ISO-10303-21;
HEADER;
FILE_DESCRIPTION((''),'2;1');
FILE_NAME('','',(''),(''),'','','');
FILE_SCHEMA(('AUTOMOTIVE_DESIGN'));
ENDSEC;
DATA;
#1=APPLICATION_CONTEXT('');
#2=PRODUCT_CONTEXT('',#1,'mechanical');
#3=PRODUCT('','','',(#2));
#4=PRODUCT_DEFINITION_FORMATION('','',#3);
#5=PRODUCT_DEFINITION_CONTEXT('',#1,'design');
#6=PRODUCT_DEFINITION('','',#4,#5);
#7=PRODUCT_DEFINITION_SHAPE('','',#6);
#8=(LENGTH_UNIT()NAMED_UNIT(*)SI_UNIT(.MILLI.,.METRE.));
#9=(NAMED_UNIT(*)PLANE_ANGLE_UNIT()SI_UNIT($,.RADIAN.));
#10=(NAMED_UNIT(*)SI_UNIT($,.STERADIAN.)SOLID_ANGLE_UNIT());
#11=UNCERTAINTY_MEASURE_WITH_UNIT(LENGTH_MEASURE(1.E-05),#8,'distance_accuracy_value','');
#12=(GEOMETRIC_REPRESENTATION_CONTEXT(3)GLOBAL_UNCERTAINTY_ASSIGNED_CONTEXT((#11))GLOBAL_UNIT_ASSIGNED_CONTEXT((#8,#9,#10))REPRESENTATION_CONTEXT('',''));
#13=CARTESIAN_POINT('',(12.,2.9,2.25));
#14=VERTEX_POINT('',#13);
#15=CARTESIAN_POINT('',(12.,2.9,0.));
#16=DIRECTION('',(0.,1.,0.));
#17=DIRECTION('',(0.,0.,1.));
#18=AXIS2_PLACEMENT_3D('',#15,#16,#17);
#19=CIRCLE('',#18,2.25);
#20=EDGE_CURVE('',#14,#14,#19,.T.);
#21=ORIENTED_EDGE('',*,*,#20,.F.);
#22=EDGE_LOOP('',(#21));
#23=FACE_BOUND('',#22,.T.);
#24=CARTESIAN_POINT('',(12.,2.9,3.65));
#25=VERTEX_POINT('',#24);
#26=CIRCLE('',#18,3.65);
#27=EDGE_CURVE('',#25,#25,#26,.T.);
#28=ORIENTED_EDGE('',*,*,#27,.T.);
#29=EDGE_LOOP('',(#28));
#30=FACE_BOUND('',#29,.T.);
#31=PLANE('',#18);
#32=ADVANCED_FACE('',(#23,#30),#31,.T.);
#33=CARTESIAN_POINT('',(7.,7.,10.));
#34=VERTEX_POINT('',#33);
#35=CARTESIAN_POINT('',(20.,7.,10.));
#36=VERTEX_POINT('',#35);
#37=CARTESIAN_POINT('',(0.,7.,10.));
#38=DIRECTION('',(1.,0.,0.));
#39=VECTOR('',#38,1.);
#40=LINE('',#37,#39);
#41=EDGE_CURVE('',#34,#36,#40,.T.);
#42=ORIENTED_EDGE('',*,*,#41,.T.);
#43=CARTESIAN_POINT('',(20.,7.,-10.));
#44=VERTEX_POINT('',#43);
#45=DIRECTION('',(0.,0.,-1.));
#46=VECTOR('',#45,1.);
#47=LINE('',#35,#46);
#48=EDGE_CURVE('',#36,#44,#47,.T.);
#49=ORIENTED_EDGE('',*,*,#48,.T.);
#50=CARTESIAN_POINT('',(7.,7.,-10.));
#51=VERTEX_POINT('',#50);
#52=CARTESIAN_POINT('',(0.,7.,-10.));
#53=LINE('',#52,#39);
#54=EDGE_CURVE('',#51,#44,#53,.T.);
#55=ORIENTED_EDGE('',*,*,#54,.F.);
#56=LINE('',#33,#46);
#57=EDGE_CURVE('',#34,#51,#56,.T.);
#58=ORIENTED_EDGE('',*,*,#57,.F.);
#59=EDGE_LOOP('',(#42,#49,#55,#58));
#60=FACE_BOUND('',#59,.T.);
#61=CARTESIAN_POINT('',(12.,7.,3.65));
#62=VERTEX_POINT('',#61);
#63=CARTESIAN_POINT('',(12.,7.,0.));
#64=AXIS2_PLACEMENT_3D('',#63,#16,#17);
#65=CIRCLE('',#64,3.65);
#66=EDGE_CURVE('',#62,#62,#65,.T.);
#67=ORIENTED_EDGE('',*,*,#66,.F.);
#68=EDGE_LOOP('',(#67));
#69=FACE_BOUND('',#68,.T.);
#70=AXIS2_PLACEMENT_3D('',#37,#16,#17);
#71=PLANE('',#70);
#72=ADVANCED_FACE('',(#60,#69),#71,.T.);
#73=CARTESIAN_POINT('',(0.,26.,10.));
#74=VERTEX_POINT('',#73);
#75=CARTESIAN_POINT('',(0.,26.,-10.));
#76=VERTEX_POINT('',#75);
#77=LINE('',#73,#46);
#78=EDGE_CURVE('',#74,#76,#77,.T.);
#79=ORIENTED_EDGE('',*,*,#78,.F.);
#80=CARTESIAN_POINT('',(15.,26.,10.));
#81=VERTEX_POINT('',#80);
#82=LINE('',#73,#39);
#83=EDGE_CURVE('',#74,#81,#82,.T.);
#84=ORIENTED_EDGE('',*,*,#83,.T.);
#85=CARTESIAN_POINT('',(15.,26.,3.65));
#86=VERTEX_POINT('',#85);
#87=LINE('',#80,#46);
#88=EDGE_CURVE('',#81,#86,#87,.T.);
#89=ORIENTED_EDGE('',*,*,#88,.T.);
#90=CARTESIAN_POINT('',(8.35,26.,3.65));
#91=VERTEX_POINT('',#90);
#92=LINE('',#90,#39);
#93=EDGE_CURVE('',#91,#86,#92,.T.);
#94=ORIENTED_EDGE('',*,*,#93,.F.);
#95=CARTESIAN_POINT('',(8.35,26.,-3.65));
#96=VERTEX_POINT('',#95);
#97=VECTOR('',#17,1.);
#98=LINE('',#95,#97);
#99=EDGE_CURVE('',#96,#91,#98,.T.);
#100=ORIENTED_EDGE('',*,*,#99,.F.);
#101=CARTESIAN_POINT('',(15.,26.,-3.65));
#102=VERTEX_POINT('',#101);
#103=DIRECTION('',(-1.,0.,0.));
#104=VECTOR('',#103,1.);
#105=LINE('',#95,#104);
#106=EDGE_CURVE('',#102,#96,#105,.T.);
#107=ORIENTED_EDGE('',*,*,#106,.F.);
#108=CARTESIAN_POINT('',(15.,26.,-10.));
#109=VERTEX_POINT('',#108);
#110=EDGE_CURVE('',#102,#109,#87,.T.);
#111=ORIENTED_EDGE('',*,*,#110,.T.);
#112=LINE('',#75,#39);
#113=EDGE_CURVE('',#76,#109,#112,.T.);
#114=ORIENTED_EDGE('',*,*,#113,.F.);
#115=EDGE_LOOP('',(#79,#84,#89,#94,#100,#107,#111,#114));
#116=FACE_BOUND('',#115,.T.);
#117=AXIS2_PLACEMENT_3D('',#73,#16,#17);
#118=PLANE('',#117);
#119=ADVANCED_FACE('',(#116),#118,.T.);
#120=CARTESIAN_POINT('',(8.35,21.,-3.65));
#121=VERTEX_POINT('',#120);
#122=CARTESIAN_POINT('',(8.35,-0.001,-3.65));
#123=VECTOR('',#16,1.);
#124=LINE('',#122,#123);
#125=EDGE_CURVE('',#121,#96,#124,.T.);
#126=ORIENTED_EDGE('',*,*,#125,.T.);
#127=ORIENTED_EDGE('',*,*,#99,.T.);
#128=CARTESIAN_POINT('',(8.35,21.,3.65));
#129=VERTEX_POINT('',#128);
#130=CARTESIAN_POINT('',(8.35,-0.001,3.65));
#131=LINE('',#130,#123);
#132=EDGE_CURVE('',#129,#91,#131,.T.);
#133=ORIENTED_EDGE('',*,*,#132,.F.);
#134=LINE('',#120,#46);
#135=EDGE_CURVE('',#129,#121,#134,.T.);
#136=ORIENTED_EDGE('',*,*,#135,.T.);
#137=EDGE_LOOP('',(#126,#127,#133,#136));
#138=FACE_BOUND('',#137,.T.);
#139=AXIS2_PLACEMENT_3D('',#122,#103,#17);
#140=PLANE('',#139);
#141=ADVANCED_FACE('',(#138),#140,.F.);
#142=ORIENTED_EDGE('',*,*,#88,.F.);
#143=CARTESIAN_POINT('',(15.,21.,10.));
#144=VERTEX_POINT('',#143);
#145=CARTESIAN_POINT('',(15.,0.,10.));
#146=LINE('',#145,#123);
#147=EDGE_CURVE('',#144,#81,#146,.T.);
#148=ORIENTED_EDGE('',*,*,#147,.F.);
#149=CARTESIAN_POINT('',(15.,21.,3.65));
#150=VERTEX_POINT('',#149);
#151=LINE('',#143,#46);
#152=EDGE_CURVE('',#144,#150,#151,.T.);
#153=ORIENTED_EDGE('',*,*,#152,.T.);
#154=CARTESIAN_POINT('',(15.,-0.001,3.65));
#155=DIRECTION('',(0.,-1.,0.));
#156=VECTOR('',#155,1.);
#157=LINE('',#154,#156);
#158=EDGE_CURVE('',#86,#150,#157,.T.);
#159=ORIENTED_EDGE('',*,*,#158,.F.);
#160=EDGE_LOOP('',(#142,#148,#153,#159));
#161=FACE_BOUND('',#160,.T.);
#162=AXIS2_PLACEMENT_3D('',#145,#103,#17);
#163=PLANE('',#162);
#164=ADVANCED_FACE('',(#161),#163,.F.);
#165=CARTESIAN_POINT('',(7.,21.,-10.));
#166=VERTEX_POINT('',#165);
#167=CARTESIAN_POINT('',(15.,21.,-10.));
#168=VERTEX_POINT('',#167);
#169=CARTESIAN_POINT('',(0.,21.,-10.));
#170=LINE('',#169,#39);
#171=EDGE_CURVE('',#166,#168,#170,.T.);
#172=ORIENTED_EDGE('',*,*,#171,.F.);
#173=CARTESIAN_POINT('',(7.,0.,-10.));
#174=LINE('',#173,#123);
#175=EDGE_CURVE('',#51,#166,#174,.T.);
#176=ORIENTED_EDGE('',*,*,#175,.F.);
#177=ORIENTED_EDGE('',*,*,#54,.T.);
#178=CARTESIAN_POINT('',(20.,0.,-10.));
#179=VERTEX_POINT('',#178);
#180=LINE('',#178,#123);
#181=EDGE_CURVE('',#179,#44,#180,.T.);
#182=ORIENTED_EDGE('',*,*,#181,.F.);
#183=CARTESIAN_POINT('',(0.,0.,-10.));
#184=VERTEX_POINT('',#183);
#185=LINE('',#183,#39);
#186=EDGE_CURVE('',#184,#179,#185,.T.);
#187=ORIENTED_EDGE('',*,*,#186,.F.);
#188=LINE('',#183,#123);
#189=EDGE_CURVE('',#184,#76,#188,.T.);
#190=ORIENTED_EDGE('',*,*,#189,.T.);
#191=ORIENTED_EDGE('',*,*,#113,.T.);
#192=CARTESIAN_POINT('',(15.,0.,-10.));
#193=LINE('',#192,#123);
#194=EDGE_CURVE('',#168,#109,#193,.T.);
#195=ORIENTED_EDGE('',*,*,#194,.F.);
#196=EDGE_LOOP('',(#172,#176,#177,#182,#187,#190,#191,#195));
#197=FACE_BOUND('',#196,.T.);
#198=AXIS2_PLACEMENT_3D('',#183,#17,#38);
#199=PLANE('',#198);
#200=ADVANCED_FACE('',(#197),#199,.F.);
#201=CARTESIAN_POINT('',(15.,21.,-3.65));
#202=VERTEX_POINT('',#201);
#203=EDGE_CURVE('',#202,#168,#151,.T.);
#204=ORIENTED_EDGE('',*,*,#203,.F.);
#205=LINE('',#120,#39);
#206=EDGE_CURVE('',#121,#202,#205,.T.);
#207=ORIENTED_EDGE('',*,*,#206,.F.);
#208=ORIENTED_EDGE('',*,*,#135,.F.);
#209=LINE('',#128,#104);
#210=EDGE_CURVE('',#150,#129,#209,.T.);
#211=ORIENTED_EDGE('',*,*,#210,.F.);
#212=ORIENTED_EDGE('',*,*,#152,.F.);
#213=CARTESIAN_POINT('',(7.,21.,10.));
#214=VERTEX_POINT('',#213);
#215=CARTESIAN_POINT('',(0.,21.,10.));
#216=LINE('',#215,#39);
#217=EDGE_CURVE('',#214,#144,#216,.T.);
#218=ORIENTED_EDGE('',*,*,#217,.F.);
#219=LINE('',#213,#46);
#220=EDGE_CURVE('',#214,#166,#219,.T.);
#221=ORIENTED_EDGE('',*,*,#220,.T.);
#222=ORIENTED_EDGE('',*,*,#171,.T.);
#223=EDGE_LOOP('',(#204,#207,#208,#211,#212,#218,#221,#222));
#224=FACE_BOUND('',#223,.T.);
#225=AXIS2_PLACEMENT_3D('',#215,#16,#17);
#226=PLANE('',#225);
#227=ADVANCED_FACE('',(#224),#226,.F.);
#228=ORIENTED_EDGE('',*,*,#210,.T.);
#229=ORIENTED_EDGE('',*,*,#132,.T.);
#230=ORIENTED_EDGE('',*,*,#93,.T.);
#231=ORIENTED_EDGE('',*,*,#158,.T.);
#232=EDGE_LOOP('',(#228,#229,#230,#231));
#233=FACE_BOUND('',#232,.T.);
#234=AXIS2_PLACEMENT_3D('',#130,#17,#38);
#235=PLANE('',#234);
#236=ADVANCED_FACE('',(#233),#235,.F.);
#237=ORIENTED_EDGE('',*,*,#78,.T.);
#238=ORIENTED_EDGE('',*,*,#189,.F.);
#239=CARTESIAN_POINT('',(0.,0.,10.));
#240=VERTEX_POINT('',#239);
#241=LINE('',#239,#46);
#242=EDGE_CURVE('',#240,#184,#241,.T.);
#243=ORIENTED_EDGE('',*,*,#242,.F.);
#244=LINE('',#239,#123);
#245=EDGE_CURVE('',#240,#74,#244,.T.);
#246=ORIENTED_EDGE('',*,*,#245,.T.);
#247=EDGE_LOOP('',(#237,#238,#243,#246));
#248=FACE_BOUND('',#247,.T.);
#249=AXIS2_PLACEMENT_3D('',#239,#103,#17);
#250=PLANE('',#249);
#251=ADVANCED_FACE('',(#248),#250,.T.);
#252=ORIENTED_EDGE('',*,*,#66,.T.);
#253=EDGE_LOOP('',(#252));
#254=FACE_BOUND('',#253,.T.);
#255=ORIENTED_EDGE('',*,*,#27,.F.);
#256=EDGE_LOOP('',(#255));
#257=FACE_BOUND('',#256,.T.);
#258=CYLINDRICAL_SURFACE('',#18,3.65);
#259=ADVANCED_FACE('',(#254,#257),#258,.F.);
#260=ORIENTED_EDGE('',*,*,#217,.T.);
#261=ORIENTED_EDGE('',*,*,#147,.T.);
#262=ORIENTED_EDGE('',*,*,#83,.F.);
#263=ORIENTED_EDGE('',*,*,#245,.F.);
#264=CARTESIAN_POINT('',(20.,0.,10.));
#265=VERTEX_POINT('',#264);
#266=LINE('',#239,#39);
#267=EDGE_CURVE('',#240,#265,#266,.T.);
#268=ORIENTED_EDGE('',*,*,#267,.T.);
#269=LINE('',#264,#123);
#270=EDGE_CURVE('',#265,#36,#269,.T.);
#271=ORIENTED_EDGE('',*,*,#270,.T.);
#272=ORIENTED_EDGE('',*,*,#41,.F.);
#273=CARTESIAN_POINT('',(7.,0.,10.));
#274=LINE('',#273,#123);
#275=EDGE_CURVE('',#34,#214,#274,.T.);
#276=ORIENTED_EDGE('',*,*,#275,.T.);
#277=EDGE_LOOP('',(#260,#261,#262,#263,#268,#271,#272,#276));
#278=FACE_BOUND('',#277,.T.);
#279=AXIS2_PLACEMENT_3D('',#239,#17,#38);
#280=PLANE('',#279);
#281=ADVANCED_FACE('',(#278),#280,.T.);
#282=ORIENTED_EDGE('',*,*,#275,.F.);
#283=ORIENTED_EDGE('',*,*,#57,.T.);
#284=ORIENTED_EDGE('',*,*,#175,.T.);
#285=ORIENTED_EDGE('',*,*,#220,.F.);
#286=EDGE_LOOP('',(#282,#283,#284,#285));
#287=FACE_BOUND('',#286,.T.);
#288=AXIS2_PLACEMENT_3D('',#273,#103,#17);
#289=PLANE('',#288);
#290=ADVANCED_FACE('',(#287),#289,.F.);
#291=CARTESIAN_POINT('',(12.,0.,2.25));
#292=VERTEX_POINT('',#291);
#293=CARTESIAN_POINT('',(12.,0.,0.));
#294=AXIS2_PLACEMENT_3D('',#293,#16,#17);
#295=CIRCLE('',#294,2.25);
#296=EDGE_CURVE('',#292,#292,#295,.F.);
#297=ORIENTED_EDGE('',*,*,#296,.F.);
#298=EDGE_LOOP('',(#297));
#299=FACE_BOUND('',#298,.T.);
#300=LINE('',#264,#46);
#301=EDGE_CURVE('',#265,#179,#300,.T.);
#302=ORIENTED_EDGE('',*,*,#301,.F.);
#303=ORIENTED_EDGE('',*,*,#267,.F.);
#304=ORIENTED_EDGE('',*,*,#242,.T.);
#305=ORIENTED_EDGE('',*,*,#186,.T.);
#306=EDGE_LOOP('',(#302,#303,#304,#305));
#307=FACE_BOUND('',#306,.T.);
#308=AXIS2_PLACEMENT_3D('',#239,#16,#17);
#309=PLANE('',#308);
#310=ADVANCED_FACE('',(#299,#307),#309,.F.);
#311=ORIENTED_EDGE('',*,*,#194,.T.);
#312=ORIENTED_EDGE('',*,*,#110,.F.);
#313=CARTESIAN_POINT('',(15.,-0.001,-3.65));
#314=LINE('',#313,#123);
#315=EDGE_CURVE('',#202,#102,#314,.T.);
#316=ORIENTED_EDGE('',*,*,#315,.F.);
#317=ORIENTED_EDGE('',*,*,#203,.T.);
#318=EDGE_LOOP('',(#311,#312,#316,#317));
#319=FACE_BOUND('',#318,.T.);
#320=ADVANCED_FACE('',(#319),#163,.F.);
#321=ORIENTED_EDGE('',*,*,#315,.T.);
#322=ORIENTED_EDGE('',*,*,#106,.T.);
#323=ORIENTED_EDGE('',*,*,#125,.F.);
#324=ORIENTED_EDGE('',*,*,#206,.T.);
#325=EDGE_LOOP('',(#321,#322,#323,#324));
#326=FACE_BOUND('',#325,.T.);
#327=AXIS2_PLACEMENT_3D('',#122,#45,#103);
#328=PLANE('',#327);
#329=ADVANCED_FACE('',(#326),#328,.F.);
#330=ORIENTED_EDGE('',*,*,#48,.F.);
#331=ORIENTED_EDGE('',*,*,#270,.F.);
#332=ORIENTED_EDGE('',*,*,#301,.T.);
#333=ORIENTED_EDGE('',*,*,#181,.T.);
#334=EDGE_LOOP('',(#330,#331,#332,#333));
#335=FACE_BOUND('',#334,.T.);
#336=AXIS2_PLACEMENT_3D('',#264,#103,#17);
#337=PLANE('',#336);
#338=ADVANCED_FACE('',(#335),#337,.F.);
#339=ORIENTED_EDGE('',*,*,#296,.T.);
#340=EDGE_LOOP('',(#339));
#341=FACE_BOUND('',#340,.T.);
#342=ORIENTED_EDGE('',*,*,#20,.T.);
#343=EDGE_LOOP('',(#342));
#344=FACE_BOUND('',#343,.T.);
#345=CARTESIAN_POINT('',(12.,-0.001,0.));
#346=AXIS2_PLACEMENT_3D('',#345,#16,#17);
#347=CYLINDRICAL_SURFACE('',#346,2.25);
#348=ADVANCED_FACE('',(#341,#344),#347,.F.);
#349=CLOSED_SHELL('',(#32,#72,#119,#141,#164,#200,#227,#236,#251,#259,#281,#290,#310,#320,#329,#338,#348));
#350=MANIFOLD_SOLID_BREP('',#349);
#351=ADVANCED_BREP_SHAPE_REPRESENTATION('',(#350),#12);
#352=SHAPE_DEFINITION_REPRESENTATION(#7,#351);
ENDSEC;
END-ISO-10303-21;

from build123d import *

# Parameters (mm, degrees)
SKETCH_1_W          = 7
SKETCH_1_H          = 14
SKETCH_1_W_2        = 20
SKETCH_1_H_2        = 7
EXTRUDE_1_DEPTH     = 10
SKETCH_2_R          = 3.65
CUT_EXTRUDE_1_DEPTH = 4.1
CUT_EXTRUDE_3_REACH = 28
SKETCH_4_W          = 7.3
SKETCH_4_H          = 7.3
CUT_EXTRUDE_2_REACH = 4.9
SKETCH_3_R          = 2.25


with BuildPart() as part:
    # 草圖1 → 填料-伸長1 (new body, symmetric)
    with BuildSketch(Plane.XY):
        with Locations((3.5, 14)):
            Rectangle(SKETCH_1_W, SKETCH_1_H)
        with Locations((10, 3.5)):
            Rectangle(SKETCH_1_W_2, SKETCH_1_H_2)
        Polygon((0, 26), (0, 21), (7, 21), (15, 21), (15, 26), align=None)
    extrude(amount=EXTRUDE_1_DEPTH, both=True)

    # 草圖2 → 除料-伸長1 (cut)
    with BuildSketch(Plane(origin=(0, 7, 0), x_dir=(1, 0, 0), z_dir=(0, 1, 0))):
        with Locations((12, 0)):
            Circle(SKETCH_2_R)
    extrude(amount=-CUT_EXTRUDE_1_DEPTH, mode=Mode.SUBTRACT)

    # 草圖4 → 除料-伸長3 (cut, up to next)
    with BuildSketch(Plane(origin=(0, 26, 0), x_dir=(1, 0, 0), z_dir=(0, 1, 0)), mode=Mode.PRIVATE) as cut_extrude_3_sk1:
        with Locations((12, 0)):
            Rectangle(SKETCH_4_W, SKETCH_4_H)
    cut_extrude_3_tool1 = extrude(cut_extrude_3_sk1.sketch, amount=-CUT_EXTRUDE_3_REACH, mode=Mode.PRIVATE) & part.part
    add(cut_extrude_3_tool1.solids().sort_by_distance((12, 26, 0))[0], mode=Mode.SUBTRACT)

    # 草圖3 → 除料-伸長2 (cut, up to next)
    with BuildSketch(Plane(origin=(0, 2.9, 0), x_dir=(1, 0, 0), z_dir=(0, 1, 0)), mode=Mode.PRIVATE) as cut_extrude_2_sk1:
        with Locations((12, 0)):
            Circle(SKETCH_3_R)
    cut_extrude_2_tool1 = extrude(cut_extrude_2_sk1.sketch, amount=-CUT_EXTRUDE_2_REACH, mode=Mode.PRIVATE) & part.part
    add(cut_extrude_2_tool1.solids().sort_by_distance((12, 2.9, 0))[0], mode=Mode.SUBTRACT)


solid = part.part
